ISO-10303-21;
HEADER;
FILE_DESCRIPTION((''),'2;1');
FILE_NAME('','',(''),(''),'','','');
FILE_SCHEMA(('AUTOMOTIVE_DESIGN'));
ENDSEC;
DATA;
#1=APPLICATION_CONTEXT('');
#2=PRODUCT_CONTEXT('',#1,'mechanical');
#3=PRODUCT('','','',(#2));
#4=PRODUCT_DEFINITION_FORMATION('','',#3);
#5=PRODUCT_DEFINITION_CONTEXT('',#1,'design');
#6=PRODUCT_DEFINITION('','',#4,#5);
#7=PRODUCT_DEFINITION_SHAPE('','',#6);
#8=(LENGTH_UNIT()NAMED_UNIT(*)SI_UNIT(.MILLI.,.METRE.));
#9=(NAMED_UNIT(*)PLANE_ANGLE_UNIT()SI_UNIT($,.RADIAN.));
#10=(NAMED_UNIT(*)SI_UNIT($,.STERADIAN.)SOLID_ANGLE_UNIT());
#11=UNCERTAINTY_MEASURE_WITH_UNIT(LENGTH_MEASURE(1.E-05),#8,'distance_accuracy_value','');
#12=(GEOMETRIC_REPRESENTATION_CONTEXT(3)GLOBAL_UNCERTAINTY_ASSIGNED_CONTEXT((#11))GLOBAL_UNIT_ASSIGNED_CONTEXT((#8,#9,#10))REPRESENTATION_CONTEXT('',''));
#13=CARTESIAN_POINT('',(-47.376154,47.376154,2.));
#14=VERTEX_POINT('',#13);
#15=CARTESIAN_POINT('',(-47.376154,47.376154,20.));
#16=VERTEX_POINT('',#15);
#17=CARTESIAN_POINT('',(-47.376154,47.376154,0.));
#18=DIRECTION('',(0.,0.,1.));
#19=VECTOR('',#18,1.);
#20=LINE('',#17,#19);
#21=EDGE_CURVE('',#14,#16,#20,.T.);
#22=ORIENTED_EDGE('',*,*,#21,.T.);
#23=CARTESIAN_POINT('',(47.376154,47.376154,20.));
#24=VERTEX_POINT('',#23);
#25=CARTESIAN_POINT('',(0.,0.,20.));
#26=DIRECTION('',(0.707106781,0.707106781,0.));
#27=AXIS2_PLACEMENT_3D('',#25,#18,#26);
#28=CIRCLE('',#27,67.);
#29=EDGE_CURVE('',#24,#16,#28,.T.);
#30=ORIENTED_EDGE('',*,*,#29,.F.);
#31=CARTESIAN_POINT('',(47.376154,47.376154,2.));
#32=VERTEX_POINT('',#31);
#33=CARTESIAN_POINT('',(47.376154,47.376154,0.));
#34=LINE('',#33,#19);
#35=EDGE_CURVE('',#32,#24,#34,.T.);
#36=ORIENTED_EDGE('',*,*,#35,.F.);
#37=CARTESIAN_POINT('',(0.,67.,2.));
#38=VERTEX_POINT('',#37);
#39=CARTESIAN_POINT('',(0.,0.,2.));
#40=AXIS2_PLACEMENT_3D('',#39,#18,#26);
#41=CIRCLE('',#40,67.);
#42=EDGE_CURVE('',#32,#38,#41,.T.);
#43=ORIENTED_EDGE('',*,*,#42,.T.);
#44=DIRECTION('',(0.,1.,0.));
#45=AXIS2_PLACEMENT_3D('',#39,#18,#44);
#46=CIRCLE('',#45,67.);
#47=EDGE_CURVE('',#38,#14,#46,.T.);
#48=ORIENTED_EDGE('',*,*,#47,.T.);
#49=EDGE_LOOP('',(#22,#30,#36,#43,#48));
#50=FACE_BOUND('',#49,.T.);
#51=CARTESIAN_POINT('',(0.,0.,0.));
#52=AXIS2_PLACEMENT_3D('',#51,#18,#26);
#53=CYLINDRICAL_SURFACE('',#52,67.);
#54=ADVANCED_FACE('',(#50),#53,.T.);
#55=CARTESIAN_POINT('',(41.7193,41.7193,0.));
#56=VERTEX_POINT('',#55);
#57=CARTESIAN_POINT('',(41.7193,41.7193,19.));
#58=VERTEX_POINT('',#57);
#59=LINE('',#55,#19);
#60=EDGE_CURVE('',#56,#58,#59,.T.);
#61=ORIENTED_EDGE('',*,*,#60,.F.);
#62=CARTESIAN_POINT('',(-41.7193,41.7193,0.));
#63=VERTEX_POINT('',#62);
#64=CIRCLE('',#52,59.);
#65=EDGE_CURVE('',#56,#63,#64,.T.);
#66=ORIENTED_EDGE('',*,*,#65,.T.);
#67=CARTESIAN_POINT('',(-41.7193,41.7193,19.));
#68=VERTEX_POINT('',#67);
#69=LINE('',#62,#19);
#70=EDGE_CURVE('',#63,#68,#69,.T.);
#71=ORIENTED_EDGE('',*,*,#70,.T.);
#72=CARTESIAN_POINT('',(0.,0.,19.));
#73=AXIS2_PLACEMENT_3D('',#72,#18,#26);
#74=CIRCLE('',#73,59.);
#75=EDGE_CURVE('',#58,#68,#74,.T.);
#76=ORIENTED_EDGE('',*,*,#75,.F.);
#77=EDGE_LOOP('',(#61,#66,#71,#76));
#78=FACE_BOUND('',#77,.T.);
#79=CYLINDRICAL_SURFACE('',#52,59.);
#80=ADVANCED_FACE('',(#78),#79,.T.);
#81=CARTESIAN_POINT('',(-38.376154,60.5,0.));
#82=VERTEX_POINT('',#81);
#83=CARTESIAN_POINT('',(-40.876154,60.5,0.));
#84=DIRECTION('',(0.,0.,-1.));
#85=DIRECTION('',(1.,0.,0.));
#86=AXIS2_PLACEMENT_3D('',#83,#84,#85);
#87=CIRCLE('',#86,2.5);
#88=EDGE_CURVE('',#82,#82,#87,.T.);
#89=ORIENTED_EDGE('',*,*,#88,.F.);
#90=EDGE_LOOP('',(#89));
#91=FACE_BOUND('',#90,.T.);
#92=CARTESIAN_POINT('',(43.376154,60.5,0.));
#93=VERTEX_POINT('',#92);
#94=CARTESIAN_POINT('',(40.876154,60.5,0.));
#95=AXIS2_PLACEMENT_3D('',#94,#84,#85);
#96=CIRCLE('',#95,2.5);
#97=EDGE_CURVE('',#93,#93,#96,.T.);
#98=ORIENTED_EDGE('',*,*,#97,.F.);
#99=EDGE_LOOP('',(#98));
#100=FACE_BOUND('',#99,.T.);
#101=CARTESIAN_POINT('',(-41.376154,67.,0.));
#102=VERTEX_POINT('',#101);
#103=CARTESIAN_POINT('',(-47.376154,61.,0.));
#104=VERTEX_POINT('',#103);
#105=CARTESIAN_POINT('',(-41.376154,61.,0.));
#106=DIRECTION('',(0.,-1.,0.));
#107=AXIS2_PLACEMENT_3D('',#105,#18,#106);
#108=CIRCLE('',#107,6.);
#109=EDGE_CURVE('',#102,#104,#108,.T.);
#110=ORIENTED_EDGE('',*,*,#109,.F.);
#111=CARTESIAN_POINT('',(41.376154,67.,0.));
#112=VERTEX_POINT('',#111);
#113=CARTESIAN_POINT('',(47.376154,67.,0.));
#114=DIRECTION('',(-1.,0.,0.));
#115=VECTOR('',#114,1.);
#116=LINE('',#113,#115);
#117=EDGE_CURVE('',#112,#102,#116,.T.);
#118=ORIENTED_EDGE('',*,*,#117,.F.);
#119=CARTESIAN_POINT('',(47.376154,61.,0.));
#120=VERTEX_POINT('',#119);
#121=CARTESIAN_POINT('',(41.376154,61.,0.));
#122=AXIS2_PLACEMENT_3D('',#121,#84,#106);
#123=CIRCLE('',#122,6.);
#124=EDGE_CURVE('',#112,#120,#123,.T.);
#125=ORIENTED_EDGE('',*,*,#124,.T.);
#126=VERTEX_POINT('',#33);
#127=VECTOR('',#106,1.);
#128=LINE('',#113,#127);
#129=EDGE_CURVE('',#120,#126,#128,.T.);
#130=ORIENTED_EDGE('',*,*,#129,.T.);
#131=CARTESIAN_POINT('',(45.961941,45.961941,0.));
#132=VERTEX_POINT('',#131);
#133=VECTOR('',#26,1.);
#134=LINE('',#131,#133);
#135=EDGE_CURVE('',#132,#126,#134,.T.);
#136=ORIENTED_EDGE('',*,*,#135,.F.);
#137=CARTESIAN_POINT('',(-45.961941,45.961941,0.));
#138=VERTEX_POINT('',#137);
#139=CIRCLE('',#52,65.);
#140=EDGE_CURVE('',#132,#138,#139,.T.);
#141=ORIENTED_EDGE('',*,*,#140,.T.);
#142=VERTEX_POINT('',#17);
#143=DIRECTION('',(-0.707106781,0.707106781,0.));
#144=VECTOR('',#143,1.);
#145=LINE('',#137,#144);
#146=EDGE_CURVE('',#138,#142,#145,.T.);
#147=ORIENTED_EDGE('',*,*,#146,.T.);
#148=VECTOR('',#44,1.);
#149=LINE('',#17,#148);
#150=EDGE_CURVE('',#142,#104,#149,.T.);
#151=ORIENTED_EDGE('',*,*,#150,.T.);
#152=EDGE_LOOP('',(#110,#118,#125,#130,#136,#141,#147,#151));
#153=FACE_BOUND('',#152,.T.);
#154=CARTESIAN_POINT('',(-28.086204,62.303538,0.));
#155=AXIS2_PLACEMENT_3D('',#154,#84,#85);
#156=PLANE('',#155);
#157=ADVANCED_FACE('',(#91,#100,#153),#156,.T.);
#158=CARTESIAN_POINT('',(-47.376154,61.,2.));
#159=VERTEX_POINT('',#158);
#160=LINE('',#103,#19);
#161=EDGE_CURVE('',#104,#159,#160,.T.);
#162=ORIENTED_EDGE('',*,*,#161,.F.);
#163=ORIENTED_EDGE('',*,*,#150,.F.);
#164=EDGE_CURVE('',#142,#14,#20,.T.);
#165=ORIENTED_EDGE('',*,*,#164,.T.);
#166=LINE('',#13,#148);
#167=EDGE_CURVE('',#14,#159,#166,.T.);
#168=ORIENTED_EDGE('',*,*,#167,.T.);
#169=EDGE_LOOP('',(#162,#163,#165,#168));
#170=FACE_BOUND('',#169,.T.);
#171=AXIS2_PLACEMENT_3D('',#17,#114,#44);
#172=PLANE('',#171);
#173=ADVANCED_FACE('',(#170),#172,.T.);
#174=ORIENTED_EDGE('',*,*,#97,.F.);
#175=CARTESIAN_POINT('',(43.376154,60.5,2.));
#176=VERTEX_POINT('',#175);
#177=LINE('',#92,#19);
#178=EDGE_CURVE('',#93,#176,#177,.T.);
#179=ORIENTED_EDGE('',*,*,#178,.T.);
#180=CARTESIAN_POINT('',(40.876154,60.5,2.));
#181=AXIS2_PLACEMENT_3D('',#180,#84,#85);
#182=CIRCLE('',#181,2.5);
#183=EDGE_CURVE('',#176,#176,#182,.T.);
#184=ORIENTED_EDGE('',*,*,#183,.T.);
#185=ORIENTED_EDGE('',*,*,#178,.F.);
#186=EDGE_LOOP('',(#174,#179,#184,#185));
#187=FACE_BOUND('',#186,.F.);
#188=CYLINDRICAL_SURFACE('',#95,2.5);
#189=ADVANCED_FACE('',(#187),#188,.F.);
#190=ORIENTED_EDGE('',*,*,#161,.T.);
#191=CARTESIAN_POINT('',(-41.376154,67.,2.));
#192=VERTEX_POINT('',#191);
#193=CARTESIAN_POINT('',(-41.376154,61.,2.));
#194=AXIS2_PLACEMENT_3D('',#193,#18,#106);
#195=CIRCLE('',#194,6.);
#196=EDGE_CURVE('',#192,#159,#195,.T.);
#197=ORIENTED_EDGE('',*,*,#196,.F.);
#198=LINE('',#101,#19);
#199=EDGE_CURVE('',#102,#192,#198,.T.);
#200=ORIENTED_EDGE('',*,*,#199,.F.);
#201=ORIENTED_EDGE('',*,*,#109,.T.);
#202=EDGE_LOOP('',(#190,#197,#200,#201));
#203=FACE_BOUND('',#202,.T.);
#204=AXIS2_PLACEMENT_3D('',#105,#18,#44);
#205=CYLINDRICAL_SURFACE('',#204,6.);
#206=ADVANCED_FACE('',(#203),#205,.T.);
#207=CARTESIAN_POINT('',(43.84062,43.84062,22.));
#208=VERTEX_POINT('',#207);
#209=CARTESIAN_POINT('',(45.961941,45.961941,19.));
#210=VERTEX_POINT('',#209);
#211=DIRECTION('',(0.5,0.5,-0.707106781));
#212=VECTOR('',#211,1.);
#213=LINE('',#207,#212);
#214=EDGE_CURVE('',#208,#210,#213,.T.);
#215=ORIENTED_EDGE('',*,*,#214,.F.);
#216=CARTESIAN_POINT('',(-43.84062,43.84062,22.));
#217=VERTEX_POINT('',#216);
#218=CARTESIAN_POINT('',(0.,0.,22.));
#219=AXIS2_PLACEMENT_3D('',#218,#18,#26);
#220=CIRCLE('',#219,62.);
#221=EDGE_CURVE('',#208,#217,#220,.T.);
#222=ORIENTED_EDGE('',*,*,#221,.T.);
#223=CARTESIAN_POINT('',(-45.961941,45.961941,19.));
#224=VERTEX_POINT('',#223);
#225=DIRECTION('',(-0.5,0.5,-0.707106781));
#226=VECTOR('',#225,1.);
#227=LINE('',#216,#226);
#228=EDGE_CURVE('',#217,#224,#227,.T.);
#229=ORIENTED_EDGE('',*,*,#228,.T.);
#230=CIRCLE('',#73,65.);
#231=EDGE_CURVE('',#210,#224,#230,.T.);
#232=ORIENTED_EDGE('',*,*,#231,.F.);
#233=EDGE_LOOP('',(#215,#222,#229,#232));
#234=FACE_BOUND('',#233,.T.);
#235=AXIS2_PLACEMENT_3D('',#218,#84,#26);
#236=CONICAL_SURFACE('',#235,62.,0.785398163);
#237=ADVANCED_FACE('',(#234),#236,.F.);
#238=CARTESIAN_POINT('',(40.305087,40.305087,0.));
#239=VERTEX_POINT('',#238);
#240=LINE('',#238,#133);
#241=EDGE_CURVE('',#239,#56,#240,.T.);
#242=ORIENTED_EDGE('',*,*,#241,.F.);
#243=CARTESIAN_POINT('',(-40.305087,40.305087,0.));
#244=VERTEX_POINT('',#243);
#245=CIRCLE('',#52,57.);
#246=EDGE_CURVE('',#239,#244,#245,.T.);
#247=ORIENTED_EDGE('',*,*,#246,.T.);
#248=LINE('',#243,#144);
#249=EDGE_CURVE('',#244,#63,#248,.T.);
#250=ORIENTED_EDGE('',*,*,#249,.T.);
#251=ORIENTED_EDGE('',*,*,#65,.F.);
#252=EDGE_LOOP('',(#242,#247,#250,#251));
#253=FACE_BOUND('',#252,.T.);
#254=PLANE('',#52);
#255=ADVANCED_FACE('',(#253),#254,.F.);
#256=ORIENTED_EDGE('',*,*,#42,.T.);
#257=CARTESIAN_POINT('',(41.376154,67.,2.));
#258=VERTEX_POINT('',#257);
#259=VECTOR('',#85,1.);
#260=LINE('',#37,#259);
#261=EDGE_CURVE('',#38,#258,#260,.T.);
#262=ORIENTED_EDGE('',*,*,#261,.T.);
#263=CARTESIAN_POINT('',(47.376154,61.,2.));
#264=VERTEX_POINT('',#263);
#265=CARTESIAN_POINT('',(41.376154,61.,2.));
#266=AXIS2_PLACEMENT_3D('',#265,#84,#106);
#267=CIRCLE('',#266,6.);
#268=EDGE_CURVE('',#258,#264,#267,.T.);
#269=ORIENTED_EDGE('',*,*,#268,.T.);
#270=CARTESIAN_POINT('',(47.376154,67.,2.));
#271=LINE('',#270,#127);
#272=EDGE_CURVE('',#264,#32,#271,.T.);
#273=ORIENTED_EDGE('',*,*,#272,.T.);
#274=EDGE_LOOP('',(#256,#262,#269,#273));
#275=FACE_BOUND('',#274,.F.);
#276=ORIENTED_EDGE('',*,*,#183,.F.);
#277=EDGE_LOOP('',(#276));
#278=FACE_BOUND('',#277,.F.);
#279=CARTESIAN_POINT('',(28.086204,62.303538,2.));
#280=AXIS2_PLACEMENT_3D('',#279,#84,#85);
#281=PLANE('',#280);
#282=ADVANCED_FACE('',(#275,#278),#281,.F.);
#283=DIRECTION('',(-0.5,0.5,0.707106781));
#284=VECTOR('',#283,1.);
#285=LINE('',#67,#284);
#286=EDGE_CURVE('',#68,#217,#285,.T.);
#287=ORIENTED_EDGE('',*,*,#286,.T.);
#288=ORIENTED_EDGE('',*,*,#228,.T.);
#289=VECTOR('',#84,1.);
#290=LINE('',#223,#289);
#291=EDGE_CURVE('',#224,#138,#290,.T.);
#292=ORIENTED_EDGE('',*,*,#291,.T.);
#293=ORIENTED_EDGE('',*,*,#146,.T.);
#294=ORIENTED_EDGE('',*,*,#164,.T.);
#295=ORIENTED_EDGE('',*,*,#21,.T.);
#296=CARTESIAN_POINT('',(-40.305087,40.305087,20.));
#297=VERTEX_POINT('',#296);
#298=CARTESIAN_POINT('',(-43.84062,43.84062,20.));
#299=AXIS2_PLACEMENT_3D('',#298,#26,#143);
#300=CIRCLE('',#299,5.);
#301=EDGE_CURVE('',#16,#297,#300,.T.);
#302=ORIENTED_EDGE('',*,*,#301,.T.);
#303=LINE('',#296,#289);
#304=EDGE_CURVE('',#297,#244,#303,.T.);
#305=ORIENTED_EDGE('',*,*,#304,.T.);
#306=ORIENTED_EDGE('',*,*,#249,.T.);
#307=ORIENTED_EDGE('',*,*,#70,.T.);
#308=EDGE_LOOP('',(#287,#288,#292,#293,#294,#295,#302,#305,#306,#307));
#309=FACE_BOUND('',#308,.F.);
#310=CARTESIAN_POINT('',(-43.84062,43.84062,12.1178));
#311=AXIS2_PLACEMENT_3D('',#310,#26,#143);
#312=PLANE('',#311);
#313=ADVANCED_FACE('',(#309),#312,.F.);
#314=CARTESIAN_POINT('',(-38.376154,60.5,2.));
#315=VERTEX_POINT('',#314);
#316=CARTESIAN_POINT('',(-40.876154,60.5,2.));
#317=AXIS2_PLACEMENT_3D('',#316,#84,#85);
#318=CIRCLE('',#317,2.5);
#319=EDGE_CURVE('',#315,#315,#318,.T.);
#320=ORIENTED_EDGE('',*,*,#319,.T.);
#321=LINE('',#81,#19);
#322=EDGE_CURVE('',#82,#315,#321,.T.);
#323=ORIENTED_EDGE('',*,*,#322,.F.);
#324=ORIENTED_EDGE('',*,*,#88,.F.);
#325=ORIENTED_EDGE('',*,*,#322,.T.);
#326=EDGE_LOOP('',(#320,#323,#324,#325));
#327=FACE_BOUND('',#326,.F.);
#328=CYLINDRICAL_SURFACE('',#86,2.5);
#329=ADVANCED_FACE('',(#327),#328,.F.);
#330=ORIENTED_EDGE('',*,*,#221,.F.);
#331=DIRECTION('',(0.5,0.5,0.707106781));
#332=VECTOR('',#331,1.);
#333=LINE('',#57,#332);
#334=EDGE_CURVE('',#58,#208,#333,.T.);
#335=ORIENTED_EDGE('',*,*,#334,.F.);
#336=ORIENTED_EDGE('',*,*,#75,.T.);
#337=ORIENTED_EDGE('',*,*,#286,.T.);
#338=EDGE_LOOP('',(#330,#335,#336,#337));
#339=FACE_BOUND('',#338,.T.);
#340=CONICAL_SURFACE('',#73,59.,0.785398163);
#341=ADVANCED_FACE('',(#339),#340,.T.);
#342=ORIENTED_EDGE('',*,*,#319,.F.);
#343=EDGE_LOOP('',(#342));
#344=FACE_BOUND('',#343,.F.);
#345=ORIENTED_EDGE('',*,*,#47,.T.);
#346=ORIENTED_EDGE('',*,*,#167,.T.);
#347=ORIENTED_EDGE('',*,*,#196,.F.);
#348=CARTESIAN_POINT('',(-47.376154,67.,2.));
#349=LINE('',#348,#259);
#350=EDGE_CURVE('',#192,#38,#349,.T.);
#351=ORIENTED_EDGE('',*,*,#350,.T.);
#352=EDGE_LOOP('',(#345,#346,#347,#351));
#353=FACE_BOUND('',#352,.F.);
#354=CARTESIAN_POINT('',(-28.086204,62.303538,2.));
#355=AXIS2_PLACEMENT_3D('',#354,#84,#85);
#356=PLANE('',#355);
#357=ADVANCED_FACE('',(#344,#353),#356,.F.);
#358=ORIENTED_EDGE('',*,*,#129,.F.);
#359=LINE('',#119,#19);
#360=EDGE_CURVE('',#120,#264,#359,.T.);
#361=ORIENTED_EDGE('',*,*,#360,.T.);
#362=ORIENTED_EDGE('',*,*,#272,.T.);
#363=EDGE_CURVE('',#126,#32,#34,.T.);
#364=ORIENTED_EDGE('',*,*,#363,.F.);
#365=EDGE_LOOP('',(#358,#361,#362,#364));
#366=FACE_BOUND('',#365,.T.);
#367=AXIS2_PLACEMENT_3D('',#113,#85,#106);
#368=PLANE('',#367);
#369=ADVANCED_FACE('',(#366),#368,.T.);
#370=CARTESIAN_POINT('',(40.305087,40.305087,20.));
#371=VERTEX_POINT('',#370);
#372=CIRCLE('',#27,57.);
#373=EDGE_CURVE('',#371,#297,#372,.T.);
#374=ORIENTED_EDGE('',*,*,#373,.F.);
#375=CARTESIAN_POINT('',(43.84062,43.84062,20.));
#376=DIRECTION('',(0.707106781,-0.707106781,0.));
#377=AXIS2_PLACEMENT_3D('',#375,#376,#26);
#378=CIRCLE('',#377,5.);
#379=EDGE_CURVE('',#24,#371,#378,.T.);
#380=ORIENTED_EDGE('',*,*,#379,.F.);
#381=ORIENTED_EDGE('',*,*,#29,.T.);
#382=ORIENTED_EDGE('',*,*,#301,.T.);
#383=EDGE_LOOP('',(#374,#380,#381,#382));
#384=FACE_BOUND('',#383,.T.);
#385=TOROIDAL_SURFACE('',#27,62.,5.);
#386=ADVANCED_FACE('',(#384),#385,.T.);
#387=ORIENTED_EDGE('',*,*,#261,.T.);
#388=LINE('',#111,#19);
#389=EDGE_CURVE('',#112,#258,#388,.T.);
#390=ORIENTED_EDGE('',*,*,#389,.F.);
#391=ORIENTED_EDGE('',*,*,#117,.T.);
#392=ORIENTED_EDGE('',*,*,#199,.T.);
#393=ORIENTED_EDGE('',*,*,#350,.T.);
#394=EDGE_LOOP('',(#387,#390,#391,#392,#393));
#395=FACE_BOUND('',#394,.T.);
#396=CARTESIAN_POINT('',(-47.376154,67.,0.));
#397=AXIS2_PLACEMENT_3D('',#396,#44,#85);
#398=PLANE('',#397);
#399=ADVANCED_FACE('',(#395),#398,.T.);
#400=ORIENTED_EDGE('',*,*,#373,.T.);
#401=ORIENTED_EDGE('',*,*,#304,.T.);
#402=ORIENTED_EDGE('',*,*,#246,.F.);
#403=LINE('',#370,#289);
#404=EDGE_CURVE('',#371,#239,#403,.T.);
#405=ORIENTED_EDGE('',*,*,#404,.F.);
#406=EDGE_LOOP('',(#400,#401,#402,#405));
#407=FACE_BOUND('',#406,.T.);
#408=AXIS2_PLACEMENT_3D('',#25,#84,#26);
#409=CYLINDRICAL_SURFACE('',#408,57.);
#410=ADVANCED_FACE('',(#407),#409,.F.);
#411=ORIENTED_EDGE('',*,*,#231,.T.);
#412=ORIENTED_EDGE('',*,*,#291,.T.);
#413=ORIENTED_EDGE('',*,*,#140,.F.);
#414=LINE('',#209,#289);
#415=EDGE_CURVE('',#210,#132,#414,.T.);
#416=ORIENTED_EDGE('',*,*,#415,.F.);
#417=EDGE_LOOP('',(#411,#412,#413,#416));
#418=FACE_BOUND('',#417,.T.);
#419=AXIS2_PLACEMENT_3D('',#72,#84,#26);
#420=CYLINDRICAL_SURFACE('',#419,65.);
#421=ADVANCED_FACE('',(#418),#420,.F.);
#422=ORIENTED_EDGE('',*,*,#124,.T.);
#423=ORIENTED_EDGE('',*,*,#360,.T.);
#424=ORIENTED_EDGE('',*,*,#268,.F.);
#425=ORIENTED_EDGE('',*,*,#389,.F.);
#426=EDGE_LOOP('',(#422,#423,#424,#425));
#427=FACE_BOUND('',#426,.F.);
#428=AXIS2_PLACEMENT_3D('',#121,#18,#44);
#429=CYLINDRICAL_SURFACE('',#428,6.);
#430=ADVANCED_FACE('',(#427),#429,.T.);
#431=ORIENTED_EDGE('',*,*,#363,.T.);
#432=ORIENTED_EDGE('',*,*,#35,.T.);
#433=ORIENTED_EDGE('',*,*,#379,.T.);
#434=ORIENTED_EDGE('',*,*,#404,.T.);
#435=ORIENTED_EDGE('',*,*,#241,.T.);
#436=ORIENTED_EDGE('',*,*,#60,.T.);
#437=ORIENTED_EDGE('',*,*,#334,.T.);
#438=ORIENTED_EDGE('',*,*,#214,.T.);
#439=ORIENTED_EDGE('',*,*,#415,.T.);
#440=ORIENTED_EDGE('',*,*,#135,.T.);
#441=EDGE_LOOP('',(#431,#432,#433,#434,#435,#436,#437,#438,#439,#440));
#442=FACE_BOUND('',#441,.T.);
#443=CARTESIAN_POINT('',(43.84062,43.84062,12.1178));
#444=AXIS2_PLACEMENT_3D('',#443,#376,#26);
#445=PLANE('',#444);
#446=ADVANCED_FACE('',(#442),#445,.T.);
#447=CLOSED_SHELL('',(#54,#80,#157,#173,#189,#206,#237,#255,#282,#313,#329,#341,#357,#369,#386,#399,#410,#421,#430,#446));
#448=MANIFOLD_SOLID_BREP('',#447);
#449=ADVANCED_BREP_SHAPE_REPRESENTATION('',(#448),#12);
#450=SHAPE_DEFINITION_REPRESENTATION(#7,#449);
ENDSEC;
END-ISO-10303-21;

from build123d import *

# Parameters (mm, degrees)
F1_ANGLE_BACK = 45
F1_ANGLE      = 90
F2_R          = 2.5
F3_DEPTH      = 2
F4_R          = 6


with BuildPart() as f1:
    # F0 (on Right) → F1 (revolve)
    with BuildSketch(Plane.YZ, mode=Mode.PRIVATE) as f1_sk:
        with BuildLine():
            Line((65, 19), (65, 0))
            Line((65, 0), (67, 0))
            Line((67, 0), (67, 20))
            ThreePointArc((67, 20), (62, 25), (57, 20))
            Line((57, 20), (57, 0))
            Line((57, 0), (59, 0))
            Line((59, 0), (59, 19))
            Line((59, 19), (62, 22))
            Line((62, 22), (65, 19))
        make_face()
    revolve(f1_sk.sketch.rotate(Axis((0, 0, 11), (0, 0, 1)), -F1_ANGLE_BACK), axis=Axis((0, 0, 11), (0, 0, 1)), revolution_arc=F1_ANGLE)

    # F2 (on face) → F3 (join)
    with BuildSketch(Plane(origin=(0, 0, 0), x_dir=(1, 0, 0), z_dir=(0, 0, -1))):
        with BuildLine():
            ThreePointArc((0, -67), (-25.6397899685, -61.8999286783), (-47.3761543395, -47.3761543395))
            Line((-47.3761543395, -47.3761543395), (-47.3761543395, -67))
            Line((-47.3761543395, -67), (0, -67))
        make_face()
        with Locations((-40.8761543395, -60.5)):
            Circle(F2_R, mode=Mode.SUBTRACT)
        with BuildLine():
            ThreePointArc((47.3761543395, -47.3761543395), (25.6397899685, -61.8999286783), (0, -67))
            Line((0, -67), (47.3761543395, -67))
            Line((47.3761543395, -67), (47.3761543395, -47.3761543395))
        make_face()
        with Locations((40.8761543395, -60.5)):
            Circle(F2_R, mode=Mode.SUBTRACT)
    extrude(amount=-F3_DEPTH)

    # F4
    f4_edges = [f1.edges().sort_by_distance(p)[0] for p in [
        (-47.376154, 67, 1),
        (47.376154, 67, 1),
    ]]
    fillet(f4_edges, radius=F4_R)


solid = f1.part
